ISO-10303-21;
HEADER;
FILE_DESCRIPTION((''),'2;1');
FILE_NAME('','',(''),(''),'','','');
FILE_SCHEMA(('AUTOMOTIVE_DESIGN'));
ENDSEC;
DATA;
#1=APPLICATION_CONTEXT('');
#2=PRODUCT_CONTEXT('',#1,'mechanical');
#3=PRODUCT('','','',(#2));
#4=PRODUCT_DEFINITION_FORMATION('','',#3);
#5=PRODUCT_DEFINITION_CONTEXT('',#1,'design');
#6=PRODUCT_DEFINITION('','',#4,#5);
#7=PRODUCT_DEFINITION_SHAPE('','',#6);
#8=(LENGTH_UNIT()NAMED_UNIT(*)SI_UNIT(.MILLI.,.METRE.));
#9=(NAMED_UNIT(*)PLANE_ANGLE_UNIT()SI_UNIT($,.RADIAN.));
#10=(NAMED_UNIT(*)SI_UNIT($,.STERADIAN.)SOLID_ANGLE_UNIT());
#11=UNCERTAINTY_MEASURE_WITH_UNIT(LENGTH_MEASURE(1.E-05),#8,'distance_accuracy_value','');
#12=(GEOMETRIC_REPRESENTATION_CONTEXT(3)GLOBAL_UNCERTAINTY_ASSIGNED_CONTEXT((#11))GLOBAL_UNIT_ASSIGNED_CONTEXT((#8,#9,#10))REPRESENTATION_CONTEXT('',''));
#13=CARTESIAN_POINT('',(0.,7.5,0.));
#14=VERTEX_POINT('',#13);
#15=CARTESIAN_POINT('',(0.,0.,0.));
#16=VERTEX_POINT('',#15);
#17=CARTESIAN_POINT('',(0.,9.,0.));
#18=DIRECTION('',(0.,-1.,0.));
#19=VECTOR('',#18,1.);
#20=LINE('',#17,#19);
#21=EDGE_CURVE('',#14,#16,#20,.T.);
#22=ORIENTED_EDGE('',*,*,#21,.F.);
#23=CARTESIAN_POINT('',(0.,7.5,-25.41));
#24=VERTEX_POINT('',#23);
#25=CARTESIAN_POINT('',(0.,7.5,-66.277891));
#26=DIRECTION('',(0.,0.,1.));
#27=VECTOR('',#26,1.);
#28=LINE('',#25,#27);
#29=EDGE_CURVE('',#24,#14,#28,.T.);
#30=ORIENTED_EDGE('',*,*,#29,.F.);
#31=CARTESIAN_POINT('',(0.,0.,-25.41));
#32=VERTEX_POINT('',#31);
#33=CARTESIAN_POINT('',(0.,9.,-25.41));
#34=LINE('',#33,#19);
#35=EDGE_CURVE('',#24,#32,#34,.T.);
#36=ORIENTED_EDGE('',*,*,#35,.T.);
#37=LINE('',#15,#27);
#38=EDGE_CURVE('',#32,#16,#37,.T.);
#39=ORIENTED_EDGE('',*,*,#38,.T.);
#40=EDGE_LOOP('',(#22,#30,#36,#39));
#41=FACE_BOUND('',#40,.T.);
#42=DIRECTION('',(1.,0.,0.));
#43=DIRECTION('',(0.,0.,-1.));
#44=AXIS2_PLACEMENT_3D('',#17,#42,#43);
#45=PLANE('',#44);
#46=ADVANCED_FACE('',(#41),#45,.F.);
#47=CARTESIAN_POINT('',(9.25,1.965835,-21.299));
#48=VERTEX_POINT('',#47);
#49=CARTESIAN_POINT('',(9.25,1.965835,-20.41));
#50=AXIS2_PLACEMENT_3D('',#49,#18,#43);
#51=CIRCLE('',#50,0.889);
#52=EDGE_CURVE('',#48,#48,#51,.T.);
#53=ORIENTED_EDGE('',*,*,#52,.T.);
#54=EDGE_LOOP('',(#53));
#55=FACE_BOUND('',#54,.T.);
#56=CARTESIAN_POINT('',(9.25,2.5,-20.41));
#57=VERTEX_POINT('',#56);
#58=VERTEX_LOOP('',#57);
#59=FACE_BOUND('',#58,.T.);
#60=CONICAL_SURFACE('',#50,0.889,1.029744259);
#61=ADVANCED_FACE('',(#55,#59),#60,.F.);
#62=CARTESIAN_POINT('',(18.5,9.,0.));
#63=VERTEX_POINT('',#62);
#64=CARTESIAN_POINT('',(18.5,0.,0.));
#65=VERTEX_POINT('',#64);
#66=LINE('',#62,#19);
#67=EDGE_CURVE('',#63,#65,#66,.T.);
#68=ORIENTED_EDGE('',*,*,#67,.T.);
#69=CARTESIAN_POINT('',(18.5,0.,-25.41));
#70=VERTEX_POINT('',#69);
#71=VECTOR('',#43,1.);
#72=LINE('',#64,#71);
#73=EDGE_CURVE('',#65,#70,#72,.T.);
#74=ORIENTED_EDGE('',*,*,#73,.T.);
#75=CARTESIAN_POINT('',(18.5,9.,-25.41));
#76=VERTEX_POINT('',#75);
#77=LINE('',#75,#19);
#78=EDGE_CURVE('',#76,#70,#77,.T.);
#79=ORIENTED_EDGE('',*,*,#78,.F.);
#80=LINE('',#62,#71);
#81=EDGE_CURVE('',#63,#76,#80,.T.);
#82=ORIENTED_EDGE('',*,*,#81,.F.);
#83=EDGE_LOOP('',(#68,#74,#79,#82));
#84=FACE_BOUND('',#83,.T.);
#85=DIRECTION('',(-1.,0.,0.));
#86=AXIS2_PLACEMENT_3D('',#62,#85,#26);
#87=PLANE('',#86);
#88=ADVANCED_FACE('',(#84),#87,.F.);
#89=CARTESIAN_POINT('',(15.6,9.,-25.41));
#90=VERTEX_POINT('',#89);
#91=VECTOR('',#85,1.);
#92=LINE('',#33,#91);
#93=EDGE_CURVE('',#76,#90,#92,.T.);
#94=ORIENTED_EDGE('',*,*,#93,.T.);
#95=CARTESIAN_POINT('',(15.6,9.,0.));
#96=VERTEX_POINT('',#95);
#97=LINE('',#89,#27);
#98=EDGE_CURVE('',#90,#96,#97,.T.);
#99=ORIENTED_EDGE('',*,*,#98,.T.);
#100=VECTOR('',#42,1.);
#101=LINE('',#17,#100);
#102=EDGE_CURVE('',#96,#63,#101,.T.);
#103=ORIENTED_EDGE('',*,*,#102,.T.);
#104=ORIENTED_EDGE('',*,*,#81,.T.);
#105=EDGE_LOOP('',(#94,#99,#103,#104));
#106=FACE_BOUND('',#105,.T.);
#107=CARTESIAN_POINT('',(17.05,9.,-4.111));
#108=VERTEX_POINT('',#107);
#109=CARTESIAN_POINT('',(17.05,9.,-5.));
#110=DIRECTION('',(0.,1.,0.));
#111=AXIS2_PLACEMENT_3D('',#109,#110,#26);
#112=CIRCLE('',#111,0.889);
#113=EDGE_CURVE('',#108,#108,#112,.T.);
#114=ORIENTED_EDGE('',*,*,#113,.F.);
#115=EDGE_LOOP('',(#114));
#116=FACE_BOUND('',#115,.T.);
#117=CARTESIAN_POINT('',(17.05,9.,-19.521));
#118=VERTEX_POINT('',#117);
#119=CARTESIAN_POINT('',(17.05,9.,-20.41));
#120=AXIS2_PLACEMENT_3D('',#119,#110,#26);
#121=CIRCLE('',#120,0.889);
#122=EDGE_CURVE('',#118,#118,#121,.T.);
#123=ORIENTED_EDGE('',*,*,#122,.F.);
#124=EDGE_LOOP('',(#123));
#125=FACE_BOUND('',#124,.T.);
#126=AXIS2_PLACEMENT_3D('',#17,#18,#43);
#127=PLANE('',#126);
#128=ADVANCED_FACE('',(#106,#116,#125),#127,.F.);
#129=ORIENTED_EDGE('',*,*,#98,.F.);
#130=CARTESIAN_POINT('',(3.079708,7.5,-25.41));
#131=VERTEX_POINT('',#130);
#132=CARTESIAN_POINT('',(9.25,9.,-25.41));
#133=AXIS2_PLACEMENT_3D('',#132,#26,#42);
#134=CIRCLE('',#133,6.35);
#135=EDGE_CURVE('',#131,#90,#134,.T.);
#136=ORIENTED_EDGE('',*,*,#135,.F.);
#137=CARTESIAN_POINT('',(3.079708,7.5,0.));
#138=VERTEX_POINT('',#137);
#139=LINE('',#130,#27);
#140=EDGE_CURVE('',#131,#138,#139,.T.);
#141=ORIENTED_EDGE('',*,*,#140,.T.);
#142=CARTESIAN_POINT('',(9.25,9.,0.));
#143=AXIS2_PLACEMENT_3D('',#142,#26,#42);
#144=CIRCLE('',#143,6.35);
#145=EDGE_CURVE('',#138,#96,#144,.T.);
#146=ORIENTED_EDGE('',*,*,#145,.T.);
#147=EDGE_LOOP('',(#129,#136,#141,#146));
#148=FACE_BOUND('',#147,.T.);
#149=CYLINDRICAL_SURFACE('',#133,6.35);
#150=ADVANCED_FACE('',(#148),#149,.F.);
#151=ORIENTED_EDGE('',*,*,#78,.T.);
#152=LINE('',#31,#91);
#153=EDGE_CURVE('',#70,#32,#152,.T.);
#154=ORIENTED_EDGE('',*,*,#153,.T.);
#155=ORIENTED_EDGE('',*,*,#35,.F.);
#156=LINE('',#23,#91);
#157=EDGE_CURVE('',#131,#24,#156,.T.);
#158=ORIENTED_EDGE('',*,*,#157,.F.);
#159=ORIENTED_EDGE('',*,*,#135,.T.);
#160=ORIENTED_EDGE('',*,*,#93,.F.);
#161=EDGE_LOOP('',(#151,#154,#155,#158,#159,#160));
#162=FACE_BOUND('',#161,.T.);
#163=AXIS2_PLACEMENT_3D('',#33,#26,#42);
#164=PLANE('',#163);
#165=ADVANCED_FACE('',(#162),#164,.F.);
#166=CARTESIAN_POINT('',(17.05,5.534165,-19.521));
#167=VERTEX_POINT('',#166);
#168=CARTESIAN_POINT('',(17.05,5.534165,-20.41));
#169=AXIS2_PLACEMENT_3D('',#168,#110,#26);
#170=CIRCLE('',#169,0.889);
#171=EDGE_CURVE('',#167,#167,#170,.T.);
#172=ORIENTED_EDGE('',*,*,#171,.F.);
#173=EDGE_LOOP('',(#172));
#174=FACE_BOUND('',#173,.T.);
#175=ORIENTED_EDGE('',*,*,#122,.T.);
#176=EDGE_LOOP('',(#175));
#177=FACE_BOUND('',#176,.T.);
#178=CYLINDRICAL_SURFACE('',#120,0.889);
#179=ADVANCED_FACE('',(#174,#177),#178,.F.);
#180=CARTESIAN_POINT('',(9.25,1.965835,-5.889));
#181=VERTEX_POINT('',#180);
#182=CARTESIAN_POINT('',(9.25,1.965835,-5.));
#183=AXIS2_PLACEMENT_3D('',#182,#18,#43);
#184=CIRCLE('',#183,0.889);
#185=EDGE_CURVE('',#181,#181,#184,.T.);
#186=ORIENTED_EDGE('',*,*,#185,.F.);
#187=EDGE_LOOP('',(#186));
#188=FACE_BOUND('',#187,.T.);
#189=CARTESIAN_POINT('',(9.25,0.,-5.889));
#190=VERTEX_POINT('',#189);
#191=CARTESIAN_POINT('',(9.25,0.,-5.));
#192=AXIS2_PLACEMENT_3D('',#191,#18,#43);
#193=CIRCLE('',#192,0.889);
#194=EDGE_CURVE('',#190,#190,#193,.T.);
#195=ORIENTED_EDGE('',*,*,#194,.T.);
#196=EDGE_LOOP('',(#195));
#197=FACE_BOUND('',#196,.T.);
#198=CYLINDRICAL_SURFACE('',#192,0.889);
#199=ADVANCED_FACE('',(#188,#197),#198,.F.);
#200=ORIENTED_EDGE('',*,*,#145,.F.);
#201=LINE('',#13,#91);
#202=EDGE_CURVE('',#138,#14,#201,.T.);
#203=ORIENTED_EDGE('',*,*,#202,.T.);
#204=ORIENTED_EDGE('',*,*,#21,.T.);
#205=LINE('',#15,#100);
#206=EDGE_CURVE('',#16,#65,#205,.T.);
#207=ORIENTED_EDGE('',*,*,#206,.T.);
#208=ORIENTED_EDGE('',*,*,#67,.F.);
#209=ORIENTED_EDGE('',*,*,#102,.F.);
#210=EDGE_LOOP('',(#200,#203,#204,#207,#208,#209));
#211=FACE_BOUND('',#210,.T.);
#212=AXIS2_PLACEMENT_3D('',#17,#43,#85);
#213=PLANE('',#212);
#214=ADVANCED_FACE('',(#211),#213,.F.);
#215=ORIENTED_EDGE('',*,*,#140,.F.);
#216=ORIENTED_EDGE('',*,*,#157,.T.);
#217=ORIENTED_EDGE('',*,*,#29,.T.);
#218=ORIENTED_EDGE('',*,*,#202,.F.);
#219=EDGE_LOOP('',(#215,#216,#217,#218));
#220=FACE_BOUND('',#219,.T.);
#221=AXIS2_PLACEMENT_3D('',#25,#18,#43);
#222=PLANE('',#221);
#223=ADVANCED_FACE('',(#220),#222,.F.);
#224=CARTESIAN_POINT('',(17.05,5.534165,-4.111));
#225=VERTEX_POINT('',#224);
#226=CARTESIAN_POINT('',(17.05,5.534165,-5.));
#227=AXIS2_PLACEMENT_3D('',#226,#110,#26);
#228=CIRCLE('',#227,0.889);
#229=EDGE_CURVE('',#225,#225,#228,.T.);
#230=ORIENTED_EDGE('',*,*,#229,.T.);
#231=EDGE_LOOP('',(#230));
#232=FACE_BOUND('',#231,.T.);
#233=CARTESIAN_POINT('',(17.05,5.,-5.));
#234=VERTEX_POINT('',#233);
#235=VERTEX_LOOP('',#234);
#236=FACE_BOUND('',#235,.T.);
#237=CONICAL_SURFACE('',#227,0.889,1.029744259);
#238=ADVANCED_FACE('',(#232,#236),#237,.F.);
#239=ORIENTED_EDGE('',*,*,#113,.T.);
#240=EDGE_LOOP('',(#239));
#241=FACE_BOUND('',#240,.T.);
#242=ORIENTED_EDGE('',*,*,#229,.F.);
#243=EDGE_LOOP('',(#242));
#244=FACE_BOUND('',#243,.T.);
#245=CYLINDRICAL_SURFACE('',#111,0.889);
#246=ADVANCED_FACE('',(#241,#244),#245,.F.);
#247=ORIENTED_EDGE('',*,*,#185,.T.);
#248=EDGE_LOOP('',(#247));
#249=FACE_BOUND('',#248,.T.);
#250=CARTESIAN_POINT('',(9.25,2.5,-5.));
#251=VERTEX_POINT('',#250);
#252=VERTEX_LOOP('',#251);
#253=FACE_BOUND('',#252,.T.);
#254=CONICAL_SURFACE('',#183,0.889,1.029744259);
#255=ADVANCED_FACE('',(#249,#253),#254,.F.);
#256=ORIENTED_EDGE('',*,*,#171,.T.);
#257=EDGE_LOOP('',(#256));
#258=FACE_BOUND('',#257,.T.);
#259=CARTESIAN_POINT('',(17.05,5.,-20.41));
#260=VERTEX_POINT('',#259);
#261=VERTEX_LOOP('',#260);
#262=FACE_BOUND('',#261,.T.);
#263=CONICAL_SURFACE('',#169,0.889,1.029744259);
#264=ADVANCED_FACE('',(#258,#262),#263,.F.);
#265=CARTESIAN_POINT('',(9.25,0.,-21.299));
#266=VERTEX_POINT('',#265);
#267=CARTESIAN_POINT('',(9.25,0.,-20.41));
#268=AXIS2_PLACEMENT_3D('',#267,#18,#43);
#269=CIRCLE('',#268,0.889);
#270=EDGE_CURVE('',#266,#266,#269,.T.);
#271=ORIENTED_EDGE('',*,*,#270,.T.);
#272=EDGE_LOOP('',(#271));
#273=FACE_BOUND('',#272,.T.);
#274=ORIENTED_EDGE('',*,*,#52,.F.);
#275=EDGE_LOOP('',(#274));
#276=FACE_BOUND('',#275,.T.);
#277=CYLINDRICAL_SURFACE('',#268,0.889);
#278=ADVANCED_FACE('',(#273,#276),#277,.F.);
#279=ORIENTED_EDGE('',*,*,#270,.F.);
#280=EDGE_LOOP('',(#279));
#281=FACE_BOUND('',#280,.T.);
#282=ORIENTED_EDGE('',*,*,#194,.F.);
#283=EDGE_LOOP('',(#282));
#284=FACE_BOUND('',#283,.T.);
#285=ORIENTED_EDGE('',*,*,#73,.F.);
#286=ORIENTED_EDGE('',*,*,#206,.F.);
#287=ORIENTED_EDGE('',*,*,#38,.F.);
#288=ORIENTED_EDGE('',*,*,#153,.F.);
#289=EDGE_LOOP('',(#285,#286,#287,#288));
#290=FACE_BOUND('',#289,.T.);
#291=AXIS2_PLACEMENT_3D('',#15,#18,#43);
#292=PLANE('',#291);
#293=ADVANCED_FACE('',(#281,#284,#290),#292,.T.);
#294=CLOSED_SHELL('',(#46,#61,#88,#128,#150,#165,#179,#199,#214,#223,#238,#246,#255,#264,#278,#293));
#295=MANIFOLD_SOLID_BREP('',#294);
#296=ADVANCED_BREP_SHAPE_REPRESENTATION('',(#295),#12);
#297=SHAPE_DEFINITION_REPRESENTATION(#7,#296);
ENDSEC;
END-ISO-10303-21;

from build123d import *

# Parameters (mm, degrees)
SKETCH2_W                 = 18.5
SKETCH2_H                 = 25.41
BOSS_EXTRUDE1_DEPTH       = 9
CUT_EXTRUDE1_DEPTH        = 25.41
F_2_56_TAPPED_HOLE1_D     = 1.778
F_2_56_TAPPED_HOLE1_DEPTH = 1.96583491
F_2_56_TAPPED_HOLE1_TIP   = 0.53416509
F_2_56_TAPPED_HOLE2_D     = 1.778
F_2_56_TAPPED_HOLE2_DEPTH = 3.46583491
F_2_56_TAPPED_HOLE2_TIP   = 0.53416509
CUT_EXTRUDE3_DEPTH        = 33.694312961
CUT_EXTRUDE3_DEPTH_BACK   = 25.41


with BuildPart() as part:
    # Sketch2 → Boss-Extrude1 (new body)
    with BuildSketch(Plane(origin=(0, 0, 0), x_dir=(1, 0, 0), z_dir=(0, 1, 0))):
        with Locations((9.25, 12.705)):
            Rectangle(SKETCH2_W, SKETCH2_H)
    extrude(amount=BOSS_EXTRUDE1_DEPTH)

    # Sketch6 → Cut-Extrude1 (cut)
    with BuildSketch(Plane.XY):
        with BuildLine():
            Line((2.9, 9), (15.6, 9))
            ThreePointArc((15.6, 9), (9.25, 2.65), (2.9, 9))
        make_face()
    extrude(amount=-CUT_EXTRUDE1_DEPTH, mode=Mode.SUBTRACT)

    # #2-56 Tapped Hole1
    with Locations(Plane(origin=(0, 0, 0), x_dir=(-1, 0, 0), z_dir=(0, -1, 0))):
        with Locations((-9.25, 20.41), (-9.25, 5)):
            Hole(F_2_56_TAPPED_HOLE1_D / 2, depth=F_2_56_TAPPED_HOLE1_DEPTH)
            with Locations((0, 0, -(F_2_56_TAPPED_HOLE1_DEPTH + F_2_56_TAPPED_HOLE1_TIP / 2))):  # 118° drill point
                Cone(0, F_2_56_TAPPED_HOLE1_D / 2, F_2_56_TAPPED_HOLE1_TIP, mode=Mode.SUBTRACT)

    # #2-56 Tapped Hole2
    with Locations(Plane(origin=(0, 9, 0), x_dir=(1, 0, 0), z_dir=(0, 1, 0))):
        with Locations((17.05, 20.41), (17.05, 5)):
            Hole(F_2_56_TAPPED_HOLE2_D / 2, depth=F_2_56_TAPPED_HOLE2_DEPTH)
            with Locations((0, 0, -(F_2_56_TAPPED_HOLE2_DEPTH + F_2_56_TAPPED_HOLE2_TIP / 2))):  # 118° drill point
                Cone(0, F_2_56_TAPPED_HOLE2_D / 2, F_2_56_TAPPED_HOLE2_TIP, mode=Mode.SUBTRACT)

    # Sketch14 → Cut-Extrude3 (cut, two sides: drawn at the far end of the back side and taken through both)
    with BuildSketch(Plane(origin=(0, 0, -25.41), x_dir=(-1, 0, 0), z_dir=(0, 0, -1)).offset(-CUT_EXTRUDE3_DEPTH_BACK)):
        Polygon((0, 60.146081223), (0, 9), (0, 7.5), (-3.246658661, 7.5), (-2.9, 9), (8.616604878, 58.832614185), (24.031387378, 159.956651774), (15.4147825, 161.270118812), align=None)
    extrude(amount=CUT_EXTRUDE3_DEPTH + CUT_EXTRUDE3_DEPTH_BACK, mode=Mode.SUBTRACT)


with BuildPart() as cut_extrude3_kept_piece:
    # of the separate pieces the step leaves, the one the design keeps (cut_extrude3_pieces_kept)
    add(part.part.solids().sort_by_distance((0, 0, 0))[0])


solid = cut_extrude3_kept_piece.part
